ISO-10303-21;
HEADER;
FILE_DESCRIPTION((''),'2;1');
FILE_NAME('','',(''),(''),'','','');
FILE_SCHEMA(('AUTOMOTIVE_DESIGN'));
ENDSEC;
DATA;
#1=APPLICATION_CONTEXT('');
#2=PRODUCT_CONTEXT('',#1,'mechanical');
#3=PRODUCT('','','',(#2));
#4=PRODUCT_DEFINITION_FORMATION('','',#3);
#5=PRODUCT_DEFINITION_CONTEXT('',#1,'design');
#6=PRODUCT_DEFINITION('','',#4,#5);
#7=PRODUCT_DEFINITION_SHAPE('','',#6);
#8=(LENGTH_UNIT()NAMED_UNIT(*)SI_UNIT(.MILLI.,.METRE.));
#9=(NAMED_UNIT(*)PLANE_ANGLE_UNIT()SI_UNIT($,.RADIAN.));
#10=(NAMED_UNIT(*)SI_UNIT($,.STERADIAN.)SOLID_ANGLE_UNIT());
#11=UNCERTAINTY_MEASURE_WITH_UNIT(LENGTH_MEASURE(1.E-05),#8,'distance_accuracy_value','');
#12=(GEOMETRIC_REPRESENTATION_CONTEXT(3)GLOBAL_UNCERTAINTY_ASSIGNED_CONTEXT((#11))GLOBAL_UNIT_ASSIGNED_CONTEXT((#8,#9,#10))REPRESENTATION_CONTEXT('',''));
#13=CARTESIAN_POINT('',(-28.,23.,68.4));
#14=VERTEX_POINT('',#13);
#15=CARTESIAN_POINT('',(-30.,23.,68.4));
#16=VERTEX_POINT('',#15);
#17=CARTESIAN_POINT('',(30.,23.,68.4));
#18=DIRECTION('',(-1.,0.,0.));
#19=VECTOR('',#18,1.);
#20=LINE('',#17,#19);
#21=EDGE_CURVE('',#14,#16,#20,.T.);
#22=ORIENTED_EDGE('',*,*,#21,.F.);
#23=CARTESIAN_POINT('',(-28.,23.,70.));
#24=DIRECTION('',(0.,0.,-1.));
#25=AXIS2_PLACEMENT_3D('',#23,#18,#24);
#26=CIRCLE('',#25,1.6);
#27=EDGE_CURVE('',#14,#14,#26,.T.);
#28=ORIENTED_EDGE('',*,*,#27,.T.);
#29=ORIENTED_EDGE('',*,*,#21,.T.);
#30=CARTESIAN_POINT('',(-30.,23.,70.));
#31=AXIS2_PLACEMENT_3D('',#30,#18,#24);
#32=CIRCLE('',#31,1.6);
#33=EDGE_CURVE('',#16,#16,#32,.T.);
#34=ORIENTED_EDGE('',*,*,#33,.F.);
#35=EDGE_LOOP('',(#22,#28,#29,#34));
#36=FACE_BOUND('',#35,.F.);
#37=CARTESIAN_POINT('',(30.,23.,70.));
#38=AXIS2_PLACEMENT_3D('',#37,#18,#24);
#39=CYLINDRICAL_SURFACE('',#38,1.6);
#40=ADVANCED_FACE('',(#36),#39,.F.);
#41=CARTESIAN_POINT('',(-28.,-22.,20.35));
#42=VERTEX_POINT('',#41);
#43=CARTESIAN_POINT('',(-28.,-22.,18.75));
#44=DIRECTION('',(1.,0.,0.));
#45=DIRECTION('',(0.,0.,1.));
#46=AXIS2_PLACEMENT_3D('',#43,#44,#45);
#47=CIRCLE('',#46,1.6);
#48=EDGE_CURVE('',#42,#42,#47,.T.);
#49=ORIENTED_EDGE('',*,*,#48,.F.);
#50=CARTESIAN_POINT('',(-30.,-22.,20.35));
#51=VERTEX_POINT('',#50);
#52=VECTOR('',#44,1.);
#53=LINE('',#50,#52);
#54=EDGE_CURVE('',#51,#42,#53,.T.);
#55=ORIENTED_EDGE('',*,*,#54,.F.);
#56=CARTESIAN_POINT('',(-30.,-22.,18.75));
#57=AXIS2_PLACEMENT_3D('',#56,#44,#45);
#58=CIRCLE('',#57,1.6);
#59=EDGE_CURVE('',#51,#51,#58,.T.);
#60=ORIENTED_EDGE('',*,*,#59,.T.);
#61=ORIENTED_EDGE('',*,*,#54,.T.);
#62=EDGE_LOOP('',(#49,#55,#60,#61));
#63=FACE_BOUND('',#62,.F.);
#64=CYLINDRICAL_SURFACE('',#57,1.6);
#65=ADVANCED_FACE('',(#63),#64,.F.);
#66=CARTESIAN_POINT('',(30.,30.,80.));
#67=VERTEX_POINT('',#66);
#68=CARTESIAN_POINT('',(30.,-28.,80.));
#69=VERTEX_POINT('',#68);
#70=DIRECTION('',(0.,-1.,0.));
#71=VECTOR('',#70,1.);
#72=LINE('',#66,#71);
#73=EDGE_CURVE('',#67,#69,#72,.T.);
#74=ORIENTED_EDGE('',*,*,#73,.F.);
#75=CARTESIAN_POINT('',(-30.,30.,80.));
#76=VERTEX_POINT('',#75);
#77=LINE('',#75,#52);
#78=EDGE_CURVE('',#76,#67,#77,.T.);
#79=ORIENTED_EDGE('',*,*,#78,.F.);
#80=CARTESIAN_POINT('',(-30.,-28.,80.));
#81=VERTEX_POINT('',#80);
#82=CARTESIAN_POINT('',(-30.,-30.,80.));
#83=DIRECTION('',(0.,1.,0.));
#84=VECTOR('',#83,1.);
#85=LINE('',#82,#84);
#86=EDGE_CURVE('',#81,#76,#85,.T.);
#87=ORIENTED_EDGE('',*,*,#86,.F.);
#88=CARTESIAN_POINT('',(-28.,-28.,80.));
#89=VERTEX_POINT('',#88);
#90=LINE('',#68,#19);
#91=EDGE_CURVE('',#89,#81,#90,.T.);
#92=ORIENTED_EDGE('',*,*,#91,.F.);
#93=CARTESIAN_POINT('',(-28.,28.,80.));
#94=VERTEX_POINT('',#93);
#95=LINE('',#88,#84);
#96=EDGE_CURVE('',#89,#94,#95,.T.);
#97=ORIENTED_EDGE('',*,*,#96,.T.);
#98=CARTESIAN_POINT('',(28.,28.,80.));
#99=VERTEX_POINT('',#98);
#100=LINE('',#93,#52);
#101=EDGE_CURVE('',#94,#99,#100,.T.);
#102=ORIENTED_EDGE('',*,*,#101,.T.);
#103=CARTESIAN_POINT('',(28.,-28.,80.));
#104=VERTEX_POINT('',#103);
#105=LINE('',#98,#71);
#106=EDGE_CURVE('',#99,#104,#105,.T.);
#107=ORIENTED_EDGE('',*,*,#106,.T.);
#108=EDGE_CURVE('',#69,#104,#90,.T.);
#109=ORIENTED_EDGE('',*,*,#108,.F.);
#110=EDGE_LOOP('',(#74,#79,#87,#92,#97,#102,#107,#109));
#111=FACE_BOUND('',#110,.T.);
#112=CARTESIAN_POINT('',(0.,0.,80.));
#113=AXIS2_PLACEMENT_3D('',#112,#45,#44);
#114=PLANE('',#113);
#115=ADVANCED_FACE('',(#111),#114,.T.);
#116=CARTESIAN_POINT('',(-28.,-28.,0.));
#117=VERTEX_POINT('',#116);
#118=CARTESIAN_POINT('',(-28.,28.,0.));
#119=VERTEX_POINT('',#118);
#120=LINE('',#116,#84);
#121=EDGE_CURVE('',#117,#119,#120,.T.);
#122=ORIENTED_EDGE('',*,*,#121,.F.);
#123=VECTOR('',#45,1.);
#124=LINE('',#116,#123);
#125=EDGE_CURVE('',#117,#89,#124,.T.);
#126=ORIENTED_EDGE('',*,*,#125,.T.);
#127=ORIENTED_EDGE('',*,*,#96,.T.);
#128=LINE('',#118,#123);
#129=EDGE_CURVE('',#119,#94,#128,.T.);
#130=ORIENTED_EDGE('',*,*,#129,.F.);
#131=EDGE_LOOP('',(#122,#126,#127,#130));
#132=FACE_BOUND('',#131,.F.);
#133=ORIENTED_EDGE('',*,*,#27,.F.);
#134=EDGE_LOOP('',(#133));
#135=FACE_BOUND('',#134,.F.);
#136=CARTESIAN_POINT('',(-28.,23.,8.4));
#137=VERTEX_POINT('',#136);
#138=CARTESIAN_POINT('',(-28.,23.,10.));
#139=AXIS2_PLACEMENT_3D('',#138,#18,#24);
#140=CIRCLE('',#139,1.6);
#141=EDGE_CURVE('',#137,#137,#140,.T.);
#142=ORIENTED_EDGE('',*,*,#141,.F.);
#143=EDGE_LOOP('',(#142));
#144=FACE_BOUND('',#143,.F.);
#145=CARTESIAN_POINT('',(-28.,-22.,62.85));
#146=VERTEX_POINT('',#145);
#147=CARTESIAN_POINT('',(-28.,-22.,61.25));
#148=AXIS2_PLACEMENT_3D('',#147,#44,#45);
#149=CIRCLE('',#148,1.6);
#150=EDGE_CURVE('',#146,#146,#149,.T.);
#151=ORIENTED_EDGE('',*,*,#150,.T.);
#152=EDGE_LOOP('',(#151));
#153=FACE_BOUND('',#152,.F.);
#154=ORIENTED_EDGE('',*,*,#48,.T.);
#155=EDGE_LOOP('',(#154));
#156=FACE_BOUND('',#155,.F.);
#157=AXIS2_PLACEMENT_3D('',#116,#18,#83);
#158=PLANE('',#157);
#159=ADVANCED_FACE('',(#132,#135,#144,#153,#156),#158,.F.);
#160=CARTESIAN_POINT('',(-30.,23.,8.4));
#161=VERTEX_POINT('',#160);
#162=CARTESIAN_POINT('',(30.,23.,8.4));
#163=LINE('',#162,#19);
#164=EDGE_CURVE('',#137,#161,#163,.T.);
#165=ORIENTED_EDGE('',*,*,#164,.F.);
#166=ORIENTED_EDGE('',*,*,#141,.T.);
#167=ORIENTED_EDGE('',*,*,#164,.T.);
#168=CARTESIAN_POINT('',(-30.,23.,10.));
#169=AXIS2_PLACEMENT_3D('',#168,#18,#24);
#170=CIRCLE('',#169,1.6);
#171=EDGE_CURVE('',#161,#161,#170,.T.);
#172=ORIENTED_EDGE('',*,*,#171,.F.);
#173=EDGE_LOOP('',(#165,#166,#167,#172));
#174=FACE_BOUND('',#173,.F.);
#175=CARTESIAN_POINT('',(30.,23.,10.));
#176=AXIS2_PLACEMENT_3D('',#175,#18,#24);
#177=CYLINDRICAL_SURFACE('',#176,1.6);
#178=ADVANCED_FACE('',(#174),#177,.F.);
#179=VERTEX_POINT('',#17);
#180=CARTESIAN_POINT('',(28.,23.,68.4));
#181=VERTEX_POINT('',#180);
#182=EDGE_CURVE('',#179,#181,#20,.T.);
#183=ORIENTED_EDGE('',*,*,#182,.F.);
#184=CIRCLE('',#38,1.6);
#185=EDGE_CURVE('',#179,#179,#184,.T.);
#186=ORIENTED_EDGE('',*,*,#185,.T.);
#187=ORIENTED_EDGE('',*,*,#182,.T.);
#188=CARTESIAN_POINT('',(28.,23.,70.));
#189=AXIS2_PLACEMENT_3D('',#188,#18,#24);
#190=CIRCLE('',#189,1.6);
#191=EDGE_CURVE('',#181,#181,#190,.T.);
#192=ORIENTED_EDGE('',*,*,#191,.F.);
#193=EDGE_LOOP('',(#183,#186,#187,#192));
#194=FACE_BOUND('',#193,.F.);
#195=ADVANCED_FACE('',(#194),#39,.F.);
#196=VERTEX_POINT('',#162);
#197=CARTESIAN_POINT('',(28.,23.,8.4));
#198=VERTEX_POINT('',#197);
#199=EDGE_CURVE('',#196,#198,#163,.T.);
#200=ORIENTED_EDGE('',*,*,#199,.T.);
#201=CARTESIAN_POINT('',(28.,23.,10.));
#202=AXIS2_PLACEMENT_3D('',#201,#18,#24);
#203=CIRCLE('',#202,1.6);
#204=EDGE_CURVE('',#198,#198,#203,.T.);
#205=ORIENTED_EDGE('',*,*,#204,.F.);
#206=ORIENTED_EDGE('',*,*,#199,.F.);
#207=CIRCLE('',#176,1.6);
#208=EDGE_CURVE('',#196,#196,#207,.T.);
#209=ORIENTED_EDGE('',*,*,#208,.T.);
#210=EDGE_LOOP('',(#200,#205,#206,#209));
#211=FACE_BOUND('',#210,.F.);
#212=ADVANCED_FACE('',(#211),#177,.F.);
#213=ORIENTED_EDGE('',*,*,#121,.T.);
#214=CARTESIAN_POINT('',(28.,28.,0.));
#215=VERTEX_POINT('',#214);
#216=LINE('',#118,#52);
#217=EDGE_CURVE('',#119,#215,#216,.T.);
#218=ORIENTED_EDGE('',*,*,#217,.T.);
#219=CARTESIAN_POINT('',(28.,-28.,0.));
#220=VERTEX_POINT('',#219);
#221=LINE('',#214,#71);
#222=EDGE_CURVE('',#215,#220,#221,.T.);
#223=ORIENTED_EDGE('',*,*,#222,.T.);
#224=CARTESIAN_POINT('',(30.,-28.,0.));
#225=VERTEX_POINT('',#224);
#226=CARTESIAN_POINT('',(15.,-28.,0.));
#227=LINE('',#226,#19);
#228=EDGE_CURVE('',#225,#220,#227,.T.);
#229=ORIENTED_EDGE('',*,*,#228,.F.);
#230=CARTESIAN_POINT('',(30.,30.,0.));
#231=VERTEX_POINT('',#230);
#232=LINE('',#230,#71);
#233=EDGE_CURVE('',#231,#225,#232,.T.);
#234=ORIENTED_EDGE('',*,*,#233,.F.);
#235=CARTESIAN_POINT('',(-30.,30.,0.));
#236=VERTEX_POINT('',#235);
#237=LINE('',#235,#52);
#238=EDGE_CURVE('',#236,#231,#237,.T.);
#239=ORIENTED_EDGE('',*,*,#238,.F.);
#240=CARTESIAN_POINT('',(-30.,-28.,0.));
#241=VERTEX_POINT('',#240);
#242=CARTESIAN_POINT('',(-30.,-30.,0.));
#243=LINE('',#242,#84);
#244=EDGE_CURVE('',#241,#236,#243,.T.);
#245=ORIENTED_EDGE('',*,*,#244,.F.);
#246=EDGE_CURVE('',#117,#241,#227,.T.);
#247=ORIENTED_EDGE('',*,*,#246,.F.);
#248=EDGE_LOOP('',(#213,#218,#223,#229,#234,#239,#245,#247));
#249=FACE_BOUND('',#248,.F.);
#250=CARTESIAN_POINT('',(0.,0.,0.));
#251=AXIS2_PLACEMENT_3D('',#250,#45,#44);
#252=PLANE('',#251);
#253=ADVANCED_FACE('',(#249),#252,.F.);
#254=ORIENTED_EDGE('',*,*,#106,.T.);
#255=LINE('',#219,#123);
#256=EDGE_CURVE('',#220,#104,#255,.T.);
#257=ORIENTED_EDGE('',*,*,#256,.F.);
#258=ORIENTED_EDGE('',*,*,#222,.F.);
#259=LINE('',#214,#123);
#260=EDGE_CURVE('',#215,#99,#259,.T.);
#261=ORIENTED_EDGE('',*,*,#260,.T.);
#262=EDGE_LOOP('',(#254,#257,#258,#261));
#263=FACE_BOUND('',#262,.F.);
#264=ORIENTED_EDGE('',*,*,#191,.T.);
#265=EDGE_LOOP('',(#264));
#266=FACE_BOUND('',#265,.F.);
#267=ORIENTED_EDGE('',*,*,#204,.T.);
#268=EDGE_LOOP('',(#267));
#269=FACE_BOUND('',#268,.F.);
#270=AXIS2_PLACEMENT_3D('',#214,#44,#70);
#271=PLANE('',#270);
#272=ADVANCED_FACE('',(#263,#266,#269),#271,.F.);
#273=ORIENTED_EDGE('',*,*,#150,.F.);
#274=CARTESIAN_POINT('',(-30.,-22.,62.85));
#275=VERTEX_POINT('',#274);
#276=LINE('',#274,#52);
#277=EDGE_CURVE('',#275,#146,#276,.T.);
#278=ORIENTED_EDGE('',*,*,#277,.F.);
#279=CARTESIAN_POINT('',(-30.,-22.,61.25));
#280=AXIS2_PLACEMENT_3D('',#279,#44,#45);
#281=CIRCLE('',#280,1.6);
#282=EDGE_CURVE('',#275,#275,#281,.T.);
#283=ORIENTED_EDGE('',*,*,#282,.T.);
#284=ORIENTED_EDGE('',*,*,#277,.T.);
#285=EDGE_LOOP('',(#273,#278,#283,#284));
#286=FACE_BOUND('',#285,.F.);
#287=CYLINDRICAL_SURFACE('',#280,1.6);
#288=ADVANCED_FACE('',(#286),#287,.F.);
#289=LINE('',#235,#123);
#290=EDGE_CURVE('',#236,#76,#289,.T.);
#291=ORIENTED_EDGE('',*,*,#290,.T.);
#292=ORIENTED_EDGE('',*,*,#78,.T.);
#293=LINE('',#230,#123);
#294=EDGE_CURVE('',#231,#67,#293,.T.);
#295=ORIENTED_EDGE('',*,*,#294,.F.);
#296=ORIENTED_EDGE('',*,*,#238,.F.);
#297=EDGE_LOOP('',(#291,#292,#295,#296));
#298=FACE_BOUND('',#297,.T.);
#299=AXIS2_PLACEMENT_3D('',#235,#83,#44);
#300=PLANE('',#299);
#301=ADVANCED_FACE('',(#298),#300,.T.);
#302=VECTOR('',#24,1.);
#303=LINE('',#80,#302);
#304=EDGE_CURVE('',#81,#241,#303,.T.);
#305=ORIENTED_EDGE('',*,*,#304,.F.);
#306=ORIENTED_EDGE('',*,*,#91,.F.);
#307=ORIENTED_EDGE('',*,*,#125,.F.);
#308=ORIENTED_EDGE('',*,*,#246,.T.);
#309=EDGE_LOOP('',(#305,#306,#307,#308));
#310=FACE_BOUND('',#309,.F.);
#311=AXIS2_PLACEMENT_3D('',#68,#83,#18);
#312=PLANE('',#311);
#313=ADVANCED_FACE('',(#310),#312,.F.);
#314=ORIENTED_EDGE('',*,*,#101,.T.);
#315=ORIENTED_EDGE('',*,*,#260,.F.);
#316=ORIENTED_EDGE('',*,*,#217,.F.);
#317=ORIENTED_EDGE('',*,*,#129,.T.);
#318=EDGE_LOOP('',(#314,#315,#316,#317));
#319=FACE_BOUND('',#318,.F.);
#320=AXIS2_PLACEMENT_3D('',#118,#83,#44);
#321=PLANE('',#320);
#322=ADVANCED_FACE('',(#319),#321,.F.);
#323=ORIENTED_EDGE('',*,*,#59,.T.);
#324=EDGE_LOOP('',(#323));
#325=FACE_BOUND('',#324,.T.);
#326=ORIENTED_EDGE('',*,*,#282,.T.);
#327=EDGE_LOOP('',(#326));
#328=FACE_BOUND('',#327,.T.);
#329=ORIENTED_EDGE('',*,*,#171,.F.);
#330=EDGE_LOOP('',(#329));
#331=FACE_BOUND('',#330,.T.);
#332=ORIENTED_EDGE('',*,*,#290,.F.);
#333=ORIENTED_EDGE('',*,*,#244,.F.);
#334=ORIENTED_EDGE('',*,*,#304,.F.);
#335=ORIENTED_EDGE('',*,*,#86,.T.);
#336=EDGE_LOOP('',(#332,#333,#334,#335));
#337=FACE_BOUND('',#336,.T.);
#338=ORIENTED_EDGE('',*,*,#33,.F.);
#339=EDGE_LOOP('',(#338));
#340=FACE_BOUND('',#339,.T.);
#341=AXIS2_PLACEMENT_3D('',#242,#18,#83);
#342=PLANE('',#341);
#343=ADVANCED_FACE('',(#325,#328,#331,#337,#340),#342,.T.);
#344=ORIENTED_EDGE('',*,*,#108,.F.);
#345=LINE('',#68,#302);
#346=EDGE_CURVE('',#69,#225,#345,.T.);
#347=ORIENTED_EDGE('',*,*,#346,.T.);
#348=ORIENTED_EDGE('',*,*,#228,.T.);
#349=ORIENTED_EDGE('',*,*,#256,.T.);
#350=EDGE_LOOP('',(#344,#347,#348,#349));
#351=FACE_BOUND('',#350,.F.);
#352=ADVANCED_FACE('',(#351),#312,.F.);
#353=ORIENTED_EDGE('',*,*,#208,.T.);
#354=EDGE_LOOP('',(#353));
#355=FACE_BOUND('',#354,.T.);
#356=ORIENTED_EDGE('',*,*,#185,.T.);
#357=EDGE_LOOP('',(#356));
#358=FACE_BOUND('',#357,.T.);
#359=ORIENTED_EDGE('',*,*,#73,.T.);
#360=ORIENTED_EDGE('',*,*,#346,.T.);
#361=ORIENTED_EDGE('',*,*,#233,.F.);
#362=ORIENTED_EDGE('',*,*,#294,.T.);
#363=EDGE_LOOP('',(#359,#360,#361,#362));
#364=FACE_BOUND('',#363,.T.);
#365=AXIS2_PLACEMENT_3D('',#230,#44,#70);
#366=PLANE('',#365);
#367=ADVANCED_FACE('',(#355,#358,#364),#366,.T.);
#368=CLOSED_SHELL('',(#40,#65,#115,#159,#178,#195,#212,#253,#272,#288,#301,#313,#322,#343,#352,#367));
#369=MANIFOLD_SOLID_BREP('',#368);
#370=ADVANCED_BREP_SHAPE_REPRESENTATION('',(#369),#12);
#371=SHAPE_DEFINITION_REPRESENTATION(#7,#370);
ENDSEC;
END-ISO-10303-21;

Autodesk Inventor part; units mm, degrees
ref_plane "YZ Plane" through (0, 0, 0) normal (1, 0, 0) x (0, 1, 0)
ref_plane "XZ Plane" through (0, 0, 0) normal (0, 1, 0) x (-1, 0, 0)
ref_plane "XY Plane" through (0, 0, 0) normal (0, 0, 1) x (1, 0, 0)
sketch "スケッチ1" plane through (0, 0, 0) normal (0, 0, 1) x (1, 0, 0)
  line L0 (-30, 30) -> (30, 30)
  line L1 (30, 30) -> (30, -30)
  line L2 (30, -30) -> (-30, -30)
  line L3 (-30, -30) -> (-30, 30)
  line L4 (-30, 30) -> (30, -30) construction
  line L5 (30, 30) -> (-30, -30) construction
  line L6 (-28, 28) -> (28, 28)
  line L7 (28, 28) -> (28, -28)
  line L8 (28, -28) -> (-28, -28)
  line L9 (-28, -28) -> (-28, 28)
  line L10 (-28, 28) -> (28, -28) construction
  line L11 (28, 28) -> (-28, -28) construction
  point P0 (0, 0)
  dimension "d0" = 60
  dimension "d1" = 60
  dimension "d2" = 56
  dimension "d3" = 56
extrude "押し出し1" add sketch "スケッチ1" along normal blind 80
sketch "スケッチ2" plane through (0, 0, 80) normal (0, 0, 1) x (1, 0, 0)
  line L0 (30, 30) -> (30, -30) projected
  line L1 (-30, -30) -> (30, -30)
  line L2 (30, -30) -> (30, -28)
  line L3 (30, -28) -> (-30, -28)
  line L4 (-30, -28) -> (-30, -30)
  point P0 (0, 0)
  dimension "d6" = 2
extrude "押し出し2" cut sketch "スケッチ2" against normal blind 100
sketch "スケッチ3" plane through (30, 30, 80) normal (1, 0, 0) x (0, 0, -1)
  line L0 (0, -58) -> (0, 0) projected
  line L1 (80, 0) -> (80, -58) projected
  line L2 (80, 0) -> (0, 0) projected
  point P0 (80, -30)
  point P1 (10, -7)
  point P2 (70, -7)
  dimension "d9" = 60
  dimension "d10" = 10
  dimension "d11" = 10
  dimension "d12" = 7
  dimension "d13" = 7
hole "穴1" at (30, 23, 70) at (30, 23, 10) direction (-1, 0, 0) diameter 3.2 end through all
sketch "スケッチ4" plane through (-30, 30, 0) normal (-1, 0, 0) x (0, 0, 1)
  line L0 (0, 0) -> (80, 0) projected
  line L1 (80, 0) -> (80, -58) projected
  point P0 (0, -30)
  point P1 (61.25, -52)
  point P2 (18.75, -52)
  dimension "d21" = 52
  dimension "d22" = 42.5
  dimension "d23" = 18.75
hole "穴2" at (-30, -22, 61.25) at (-30, -22, 18.75) direction (1, 0, 0) diameter 3.2 depth 8 tip angle 118
properties part number "Square pillar" material "アルミニウム 6061"
